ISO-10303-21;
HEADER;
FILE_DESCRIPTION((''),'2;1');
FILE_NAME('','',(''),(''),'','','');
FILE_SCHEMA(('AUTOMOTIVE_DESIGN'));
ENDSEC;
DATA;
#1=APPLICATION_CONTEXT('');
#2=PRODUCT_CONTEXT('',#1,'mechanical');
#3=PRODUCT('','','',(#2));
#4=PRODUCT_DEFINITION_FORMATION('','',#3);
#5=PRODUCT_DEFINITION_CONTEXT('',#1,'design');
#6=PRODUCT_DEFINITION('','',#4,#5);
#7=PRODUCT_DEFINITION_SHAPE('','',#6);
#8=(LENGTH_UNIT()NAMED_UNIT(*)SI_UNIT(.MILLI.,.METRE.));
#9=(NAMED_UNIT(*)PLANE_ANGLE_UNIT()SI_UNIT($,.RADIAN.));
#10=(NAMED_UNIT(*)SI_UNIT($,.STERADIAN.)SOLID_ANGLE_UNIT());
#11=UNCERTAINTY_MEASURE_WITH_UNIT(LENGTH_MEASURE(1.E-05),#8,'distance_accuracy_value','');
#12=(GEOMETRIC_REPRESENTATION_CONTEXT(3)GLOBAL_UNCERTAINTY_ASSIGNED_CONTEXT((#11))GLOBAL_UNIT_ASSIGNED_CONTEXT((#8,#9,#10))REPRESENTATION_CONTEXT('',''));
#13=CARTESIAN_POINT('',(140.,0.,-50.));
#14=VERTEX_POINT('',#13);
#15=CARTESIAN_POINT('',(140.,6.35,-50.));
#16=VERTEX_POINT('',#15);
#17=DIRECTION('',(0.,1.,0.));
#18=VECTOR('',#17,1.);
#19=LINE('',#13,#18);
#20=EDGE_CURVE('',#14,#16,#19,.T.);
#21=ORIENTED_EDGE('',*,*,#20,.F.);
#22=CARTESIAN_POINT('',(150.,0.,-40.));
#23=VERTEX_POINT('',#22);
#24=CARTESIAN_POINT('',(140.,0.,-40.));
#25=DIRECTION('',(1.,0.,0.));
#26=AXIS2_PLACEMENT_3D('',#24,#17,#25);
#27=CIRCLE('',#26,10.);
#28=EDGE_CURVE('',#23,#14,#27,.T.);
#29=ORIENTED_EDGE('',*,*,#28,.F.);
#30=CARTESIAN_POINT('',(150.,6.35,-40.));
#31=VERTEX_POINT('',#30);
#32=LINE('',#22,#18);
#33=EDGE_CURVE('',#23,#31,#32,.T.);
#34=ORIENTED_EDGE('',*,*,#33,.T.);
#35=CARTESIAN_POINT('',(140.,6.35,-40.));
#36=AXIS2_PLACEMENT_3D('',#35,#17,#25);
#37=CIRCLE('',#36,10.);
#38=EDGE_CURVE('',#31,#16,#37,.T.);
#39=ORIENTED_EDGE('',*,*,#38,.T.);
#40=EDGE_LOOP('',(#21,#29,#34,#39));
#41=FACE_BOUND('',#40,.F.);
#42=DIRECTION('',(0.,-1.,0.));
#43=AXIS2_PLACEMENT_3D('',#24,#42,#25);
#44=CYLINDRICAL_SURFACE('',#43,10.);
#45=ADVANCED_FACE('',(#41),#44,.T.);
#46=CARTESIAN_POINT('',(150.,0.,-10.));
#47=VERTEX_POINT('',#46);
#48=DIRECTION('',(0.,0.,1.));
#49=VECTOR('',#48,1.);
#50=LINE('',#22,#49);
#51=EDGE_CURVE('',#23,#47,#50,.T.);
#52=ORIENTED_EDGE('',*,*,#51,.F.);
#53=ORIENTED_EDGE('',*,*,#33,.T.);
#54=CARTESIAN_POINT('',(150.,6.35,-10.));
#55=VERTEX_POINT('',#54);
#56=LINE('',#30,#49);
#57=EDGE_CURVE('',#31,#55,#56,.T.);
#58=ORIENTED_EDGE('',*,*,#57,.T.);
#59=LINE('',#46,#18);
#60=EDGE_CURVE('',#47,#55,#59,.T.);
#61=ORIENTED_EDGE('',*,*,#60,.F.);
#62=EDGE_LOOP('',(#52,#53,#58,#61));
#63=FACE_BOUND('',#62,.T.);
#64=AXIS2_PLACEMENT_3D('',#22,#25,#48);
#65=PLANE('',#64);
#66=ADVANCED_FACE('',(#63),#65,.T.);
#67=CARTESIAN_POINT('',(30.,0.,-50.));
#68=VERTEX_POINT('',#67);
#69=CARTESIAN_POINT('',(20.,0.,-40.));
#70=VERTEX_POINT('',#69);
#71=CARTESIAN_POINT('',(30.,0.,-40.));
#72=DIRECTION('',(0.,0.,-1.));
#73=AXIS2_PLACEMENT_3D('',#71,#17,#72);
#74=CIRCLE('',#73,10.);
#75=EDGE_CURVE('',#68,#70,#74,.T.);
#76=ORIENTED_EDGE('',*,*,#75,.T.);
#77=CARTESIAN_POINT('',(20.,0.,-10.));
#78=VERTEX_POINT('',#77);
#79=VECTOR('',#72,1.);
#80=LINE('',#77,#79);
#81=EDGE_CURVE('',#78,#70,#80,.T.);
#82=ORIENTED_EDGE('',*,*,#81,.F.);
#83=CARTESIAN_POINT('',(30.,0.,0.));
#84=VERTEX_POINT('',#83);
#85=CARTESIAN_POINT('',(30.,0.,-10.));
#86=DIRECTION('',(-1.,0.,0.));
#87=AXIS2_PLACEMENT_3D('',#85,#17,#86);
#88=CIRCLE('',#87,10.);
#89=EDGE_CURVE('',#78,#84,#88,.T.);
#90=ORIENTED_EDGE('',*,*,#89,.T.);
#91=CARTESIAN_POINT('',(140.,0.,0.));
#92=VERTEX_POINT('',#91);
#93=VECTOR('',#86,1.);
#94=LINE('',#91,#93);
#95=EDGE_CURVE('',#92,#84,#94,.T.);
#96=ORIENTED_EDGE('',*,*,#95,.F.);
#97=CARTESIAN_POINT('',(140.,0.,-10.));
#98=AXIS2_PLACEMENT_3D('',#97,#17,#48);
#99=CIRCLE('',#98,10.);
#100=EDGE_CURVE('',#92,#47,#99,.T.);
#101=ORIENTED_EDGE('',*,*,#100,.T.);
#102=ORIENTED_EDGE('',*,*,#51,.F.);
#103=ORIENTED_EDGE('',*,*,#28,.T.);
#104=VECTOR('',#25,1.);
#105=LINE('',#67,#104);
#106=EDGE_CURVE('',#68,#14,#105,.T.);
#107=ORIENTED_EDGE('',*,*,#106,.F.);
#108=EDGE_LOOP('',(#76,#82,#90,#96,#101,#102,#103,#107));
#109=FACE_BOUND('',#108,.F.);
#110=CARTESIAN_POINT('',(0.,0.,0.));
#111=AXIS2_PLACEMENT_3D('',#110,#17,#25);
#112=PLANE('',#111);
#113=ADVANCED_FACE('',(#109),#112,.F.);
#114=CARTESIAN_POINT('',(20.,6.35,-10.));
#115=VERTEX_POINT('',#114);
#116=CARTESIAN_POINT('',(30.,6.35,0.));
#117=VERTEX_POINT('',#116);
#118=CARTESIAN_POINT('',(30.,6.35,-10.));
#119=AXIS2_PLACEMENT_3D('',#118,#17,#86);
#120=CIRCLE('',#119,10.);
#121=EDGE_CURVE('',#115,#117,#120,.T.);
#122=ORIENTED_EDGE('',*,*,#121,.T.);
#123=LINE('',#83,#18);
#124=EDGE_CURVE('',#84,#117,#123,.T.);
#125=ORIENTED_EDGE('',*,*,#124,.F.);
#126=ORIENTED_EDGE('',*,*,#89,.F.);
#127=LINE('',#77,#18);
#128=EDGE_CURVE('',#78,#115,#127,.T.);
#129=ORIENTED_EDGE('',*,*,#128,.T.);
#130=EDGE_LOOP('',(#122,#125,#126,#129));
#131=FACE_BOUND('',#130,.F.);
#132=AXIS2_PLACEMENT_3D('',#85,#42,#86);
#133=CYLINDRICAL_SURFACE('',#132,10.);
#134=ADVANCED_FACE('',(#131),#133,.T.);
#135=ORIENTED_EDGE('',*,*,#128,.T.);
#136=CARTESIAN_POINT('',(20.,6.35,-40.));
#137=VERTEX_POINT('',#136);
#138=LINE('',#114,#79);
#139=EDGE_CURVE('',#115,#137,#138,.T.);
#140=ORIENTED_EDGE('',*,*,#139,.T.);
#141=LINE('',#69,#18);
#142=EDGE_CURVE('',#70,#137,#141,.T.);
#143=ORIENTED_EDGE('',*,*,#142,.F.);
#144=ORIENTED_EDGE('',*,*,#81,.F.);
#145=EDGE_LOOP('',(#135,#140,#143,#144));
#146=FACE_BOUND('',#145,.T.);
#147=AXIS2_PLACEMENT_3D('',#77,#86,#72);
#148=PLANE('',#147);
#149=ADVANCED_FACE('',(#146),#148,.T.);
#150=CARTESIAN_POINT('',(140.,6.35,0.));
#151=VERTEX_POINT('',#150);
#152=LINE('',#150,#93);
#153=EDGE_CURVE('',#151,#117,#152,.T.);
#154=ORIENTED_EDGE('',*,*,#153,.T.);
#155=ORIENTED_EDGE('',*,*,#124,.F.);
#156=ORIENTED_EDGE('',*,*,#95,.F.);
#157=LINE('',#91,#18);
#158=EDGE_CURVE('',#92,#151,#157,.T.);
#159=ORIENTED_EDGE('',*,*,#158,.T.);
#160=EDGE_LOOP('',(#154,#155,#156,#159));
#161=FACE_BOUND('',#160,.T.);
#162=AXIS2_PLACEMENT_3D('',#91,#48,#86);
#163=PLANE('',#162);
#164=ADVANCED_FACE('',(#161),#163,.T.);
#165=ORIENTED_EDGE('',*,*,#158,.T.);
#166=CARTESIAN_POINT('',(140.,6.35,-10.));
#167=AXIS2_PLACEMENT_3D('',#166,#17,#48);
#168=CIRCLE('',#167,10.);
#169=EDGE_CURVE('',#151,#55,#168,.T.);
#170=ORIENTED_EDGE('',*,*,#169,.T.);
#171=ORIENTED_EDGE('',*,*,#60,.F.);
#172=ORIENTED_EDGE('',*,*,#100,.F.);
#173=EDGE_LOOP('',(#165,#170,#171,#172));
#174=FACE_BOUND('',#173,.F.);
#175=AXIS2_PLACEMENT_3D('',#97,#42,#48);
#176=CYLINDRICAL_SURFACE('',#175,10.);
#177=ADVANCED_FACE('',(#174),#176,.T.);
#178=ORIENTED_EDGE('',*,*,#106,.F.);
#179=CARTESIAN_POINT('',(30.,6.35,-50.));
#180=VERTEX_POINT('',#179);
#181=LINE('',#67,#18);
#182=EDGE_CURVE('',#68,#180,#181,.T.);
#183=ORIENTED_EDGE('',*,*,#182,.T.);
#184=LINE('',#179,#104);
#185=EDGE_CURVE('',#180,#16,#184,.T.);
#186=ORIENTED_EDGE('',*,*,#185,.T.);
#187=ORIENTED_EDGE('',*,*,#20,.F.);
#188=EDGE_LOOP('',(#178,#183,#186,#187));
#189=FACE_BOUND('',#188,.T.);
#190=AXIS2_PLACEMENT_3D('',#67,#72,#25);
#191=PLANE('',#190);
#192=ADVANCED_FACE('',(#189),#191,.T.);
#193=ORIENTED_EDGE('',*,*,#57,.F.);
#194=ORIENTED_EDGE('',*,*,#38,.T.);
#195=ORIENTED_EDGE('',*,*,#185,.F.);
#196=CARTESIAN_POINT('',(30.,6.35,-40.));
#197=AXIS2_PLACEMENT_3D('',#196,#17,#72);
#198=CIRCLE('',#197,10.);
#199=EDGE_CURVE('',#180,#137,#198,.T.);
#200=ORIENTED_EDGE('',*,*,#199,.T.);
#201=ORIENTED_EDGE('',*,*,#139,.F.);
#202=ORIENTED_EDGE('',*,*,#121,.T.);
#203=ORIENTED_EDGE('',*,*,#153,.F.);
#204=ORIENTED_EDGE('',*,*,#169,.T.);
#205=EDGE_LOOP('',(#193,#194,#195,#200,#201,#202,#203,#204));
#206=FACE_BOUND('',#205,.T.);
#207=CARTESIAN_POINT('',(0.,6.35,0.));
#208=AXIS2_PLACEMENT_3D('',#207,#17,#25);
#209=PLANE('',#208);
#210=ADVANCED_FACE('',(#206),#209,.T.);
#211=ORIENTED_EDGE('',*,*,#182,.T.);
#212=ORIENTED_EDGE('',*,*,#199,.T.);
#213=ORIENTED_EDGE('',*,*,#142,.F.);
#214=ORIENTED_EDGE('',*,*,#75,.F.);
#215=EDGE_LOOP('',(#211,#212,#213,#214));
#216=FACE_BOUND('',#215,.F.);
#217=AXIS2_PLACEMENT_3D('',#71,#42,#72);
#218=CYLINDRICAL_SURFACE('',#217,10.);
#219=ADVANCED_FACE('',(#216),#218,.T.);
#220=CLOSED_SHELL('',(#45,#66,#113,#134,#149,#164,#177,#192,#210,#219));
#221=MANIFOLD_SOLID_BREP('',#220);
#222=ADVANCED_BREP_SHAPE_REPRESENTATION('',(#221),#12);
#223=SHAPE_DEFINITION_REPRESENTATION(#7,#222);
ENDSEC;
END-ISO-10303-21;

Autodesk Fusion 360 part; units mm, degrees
sketch "Sketch1" plane through (0, 0, 0) normal (0, 1, 0) x (1, 0, 0)
  line L0 (30, 50) -> (140, 50)
  line L1 (150, 40) -> (150, 10)
  line L2 (140, 0) -> (30, 0)
  line L3 (20, 10) -> (20, 40)
  arc A0 (150, 40) -> (140, 50) centre (140, 40) ccw
  arc A1 (140, 0) -> (150, 10) centre (140, 10) ccw
  arc A2 (30, 50) -> (20, 40) centre (30, 40) ccw
  arc A3 (20, 10) -> (30, 0) centre (30, 10) ccw
  point P0 (20, 50)
  point P1 (150, 50)
  point P2 (20, 0)
  dimension "d1" = 130
  dimension "d2" = 50
  dimension "d7" = 10
  dimension "d8" = 10
  dimension "d9" = 10
  dimension "d10" = 10
extrude "Extrude1" add sketch "Sketch1" along normal blind 6.35
